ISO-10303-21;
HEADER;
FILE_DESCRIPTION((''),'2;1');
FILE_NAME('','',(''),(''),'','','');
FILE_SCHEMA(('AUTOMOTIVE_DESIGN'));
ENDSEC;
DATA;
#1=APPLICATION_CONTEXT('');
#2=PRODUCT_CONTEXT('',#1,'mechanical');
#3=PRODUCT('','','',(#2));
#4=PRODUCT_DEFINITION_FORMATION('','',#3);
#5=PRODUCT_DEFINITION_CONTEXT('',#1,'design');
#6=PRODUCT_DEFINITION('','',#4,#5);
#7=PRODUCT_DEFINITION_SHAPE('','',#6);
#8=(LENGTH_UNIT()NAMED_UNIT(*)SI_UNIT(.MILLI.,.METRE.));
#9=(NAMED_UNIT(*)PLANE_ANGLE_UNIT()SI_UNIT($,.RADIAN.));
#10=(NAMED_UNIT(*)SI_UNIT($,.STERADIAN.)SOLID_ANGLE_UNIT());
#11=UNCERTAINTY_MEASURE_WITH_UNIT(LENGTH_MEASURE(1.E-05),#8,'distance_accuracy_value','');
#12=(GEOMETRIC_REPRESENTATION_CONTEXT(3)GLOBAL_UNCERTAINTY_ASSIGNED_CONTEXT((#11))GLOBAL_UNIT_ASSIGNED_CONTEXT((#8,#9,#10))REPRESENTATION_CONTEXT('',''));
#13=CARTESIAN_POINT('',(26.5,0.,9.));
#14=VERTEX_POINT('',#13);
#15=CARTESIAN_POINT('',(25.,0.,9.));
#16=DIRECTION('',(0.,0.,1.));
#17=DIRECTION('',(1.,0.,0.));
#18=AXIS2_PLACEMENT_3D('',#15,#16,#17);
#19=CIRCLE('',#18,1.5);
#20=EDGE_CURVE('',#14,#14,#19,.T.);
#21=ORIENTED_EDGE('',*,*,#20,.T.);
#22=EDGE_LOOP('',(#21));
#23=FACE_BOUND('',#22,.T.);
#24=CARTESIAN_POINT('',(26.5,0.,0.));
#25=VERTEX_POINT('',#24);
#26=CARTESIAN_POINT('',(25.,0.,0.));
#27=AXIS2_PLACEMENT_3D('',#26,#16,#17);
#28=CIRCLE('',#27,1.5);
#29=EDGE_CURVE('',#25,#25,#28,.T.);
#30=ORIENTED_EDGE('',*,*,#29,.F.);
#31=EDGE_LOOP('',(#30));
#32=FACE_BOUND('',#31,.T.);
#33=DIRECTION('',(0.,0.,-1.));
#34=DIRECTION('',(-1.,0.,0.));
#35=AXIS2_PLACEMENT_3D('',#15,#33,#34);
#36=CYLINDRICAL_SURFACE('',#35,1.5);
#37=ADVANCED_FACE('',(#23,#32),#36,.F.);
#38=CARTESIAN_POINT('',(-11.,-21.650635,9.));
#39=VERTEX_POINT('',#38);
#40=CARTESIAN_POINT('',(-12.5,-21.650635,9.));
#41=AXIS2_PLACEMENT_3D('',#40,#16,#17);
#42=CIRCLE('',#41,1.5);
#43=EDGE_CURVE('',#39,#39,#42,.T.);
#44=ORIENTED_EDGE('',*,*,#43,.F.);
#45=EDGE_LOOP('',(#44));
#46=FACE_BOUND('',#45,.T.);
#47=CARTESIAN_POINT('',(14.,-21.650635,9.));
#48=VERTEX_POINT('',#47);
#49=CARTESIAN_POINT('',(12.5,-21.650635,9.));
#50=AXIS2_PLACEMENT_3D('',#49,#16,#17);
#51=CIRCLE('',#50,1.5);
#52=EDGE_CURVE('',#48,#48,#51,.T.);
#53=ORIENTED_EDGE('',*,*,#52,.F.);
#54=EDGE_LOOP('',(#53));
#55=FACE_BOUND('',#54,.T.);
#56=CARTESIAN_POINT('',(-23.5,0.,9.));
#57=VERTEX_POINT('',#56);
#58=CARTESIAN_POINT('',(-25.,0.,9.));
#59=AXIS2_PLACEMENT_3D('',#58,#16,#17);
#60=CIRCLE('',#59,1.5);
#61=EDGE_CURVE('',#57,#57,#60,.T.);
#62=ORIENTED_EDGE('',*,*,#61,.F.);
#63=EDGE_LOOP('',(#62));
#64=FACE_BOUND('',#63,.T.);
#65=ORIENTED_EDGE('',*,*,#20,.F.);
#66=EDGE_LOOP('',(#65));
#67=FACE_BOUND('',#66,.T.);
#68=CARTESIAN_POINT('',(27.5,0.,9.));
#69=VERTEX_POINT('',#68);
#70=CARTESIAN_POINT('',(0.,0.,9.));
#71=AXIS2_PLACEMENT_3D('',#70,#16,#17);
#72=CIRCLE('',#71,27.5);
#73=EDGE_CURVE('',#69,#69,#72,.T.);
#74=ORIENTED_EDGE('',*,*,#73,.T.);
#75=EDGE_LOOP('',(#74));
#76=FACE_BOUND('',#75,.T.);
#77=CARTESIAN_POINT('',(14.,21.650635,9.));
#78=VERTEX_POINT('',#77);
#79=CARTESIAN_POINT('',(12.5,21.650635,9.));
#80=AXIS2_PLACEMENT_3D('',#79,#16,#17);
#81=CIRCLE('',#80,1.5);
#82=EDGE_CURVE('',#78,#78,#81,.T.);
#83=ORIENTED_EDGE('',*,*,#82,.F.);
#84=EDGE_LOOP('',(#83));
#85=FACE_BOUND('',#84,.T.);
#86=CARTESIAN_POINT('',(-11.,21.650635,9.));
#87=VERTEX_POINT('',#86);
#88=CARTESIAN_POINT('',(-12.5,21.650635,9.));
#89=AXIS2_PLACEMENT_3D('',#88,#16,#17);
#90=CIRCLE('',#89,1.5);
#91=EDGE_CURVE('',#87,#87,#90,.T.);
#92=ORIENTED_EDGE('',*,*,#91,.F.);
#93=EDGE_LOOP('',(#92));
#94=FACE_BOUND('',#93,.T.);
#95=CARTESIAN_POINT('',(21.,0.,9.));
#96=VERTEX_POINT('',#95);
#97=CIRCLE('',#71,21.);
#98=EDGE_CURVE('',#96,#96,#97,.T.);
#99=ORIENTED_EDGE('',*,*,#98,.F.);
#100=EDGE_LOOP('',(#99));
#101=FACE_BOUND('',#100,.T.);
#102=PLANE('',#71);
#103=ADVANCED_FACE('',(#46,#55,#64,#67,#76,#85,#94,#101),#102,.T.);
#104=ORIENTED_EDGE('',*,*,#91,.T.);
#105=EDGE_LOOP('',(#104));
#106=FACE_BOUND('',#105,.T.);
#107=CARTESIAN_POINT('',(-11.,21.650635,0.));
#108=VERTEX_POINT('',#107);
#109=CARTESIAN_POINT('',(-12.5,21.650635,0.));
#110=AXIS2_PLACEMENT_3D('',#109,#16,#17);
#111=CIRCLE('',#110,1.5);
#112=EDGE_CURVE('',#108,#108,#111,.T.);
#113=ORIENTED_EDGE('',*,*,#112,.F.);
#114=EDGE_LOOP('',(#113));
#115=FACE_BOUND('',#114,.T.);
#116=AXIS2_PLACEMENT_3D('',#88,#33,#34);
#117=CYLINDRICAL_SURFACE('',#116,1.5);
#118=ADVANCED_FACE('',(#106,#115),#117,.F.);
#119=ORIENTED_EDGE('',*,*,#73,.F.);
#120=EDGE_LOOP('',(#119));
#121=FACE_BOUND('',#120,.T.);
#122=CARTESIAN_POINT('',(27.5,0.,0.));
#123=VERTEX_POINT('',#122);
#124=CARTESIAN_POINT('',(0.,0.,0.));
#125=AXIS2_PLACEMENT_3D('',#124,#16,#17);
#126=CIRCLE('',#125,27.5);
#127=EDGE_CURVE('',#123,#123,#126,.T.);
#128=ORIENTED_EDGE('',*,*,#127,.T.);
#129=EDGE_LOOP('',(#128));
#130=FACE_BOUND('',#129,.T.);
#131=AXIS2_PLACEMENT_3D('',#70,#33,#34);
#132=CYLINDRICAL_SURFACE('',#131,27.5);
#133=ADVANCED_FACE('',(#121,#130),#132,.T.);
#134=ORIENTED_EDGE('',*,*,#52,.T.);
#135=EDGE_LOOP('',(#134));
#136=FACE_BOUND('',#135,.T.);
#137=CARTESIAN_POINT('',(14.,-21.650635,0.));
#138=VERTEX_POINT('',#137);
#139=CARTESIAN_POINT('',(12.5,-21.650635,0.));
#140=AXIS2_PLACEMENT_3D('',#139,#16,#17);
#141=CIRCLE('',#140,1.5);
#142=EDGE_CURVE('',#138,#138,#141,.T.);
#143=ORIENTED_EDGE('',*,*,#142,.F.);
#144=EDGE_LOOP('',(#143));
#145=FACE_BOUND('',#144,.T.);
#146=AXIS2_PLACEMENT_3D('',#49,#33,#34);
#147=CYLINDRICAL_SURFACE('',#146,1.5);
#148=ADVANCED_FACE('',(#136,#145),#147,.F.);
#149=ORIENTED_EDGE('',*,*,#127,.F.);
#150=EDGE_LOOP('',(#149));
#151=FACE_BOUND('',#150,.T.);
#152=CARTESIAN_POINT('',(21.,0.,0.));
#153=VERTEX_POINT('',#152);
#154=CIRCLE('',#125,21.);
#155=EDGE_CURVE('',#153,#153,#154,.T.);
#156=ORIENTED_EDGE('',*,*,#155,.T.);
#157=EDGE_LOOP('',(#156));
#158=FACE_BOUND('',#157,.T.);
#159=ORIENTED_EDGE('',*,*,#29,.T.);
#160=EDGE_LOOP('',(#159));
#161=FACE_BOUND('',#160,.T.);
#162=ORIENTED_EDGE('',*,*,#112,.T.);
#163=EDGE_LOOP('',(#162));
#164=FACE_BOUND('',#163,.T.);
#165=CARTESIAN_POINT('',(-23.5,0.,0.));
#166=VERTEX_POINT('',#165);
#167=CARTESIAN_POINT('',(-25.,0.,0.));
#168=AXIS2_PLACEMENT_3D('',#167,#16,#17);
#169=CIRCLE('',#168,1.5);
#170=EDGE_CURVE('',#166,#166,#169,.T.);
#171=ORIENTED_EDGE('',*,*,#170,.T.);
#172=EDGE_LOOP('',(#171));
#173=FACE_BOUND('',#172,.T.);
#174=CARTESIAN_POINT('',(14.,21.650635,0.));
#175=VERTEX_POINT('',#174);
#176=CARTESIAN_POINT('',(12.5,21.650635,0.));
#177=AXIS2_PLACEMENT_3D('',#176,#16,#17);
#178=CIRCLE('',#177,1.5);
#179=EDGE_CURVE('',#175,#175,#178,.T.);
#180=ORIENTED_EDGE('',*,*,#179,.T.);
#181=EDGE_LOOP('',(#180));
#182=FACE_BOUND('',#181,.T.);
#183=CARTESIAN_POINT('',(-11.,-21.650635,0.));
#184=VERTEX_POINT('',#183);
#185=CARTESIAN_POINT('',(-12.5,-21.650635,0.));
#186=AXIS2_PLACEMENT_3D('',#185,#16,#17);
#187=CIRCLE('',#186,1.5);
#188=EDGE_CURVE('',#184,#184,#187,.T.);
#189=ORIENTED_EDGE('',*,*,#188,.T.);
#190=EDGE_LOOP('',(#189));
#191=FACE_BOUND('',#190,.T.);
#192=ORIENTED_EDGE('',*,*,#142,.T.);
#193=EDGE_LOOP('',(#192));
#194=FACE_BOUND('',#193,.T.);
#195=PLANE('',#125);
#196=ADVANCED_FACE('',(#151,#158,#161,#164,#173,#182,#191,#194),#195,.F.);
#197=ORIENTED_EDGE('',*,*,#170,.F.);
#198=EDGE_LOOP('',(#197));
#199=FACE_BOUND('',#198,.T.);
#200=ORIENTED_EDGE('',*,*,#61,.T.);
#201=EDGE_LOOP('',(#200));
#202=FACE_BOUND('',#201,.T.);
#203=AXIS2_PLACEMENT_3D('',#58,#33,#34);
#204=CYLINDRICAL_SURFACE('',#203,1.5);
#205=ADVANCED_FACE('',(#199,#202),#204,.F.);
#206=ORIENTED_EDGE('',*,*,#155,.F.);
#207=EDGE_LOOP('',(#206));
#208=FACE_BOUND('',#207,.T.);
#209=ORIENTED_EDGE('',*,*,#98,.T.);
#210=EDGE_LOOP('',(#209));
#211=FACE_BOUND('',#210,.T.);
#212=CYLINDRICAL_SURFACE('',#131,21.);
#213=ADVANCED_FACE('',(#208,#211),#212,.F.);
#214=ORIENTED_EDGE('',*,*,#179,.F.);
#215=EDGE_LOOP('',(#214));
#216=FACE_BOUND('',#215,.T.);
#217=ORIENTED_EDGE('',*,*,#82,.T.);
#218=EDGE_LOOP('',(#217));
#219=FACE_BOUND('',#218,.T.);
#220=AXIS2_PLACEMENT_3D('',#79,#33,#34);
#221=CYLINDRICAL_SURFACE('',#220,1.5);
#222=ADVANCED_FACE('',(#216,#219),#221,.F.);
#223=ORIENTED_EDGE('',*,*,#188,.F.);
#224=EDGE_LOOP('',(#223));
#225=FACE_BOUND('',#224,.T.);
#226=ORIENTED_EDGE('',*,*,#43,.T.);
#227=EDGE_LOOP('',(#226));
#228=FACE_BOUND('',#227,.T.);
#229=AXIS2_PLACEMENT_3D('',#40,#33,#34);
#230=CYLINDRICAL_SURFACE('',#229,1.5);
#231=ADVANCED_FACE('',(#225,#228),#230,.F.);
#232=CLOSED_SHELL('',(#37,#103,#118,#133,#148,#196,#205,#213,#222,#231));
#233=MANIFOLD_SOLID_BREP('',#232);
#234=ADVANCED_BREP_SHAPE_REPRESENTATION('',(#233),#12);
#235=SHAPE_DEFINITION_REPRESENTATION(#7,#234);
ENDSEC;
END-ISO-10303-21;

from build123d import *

# Parameters (mm, degrees)
SKETCH1_R           = 27.5
SKETCH1_R_2         = 21
SKETCH1_R_3         = 1.5
BOSS_EXTRUDE1_DEPTH = 9


with BuildPart() as part:
    # Sketch1 → Boss-Extrude1 (new body)
    with BuildSketch(Plane.XY):
        Circle(SKETCH1_R)
        Circle(SKETCH1_R_2, mode=Mode.SUBTRACT)
        with Locations((-12.5, 21.650635095)):
            Circle(SKETCH1_R_3, mode=Mode.SUBTRACT)
        with Locations((-25, 0)):
            Circle(SKETCH1_R_3, mode=Mode.SUBTRACT)
        with Locations((-12.5, -21.650635095)):
            Circle(SKETCH1_R_3, mode=Mode.SUBTRACT)
        with Locations((12.5, -21.650635095)):
            Circle(SKETCH1_R_3, mode=Mode.SUBTRACT)
        with Locations((25, 0)):
            Circle(SKETCH1_R_3, mode=Mode.SUBTRACT)
        with Locations((12.5, 21.650635095)):
            Circle(SKETCH1_R_3, mode=Mode.SUBTRACT)
    extrude(amount=BOSS_EXTRUDE1_DEPTH)


solid = part.part
